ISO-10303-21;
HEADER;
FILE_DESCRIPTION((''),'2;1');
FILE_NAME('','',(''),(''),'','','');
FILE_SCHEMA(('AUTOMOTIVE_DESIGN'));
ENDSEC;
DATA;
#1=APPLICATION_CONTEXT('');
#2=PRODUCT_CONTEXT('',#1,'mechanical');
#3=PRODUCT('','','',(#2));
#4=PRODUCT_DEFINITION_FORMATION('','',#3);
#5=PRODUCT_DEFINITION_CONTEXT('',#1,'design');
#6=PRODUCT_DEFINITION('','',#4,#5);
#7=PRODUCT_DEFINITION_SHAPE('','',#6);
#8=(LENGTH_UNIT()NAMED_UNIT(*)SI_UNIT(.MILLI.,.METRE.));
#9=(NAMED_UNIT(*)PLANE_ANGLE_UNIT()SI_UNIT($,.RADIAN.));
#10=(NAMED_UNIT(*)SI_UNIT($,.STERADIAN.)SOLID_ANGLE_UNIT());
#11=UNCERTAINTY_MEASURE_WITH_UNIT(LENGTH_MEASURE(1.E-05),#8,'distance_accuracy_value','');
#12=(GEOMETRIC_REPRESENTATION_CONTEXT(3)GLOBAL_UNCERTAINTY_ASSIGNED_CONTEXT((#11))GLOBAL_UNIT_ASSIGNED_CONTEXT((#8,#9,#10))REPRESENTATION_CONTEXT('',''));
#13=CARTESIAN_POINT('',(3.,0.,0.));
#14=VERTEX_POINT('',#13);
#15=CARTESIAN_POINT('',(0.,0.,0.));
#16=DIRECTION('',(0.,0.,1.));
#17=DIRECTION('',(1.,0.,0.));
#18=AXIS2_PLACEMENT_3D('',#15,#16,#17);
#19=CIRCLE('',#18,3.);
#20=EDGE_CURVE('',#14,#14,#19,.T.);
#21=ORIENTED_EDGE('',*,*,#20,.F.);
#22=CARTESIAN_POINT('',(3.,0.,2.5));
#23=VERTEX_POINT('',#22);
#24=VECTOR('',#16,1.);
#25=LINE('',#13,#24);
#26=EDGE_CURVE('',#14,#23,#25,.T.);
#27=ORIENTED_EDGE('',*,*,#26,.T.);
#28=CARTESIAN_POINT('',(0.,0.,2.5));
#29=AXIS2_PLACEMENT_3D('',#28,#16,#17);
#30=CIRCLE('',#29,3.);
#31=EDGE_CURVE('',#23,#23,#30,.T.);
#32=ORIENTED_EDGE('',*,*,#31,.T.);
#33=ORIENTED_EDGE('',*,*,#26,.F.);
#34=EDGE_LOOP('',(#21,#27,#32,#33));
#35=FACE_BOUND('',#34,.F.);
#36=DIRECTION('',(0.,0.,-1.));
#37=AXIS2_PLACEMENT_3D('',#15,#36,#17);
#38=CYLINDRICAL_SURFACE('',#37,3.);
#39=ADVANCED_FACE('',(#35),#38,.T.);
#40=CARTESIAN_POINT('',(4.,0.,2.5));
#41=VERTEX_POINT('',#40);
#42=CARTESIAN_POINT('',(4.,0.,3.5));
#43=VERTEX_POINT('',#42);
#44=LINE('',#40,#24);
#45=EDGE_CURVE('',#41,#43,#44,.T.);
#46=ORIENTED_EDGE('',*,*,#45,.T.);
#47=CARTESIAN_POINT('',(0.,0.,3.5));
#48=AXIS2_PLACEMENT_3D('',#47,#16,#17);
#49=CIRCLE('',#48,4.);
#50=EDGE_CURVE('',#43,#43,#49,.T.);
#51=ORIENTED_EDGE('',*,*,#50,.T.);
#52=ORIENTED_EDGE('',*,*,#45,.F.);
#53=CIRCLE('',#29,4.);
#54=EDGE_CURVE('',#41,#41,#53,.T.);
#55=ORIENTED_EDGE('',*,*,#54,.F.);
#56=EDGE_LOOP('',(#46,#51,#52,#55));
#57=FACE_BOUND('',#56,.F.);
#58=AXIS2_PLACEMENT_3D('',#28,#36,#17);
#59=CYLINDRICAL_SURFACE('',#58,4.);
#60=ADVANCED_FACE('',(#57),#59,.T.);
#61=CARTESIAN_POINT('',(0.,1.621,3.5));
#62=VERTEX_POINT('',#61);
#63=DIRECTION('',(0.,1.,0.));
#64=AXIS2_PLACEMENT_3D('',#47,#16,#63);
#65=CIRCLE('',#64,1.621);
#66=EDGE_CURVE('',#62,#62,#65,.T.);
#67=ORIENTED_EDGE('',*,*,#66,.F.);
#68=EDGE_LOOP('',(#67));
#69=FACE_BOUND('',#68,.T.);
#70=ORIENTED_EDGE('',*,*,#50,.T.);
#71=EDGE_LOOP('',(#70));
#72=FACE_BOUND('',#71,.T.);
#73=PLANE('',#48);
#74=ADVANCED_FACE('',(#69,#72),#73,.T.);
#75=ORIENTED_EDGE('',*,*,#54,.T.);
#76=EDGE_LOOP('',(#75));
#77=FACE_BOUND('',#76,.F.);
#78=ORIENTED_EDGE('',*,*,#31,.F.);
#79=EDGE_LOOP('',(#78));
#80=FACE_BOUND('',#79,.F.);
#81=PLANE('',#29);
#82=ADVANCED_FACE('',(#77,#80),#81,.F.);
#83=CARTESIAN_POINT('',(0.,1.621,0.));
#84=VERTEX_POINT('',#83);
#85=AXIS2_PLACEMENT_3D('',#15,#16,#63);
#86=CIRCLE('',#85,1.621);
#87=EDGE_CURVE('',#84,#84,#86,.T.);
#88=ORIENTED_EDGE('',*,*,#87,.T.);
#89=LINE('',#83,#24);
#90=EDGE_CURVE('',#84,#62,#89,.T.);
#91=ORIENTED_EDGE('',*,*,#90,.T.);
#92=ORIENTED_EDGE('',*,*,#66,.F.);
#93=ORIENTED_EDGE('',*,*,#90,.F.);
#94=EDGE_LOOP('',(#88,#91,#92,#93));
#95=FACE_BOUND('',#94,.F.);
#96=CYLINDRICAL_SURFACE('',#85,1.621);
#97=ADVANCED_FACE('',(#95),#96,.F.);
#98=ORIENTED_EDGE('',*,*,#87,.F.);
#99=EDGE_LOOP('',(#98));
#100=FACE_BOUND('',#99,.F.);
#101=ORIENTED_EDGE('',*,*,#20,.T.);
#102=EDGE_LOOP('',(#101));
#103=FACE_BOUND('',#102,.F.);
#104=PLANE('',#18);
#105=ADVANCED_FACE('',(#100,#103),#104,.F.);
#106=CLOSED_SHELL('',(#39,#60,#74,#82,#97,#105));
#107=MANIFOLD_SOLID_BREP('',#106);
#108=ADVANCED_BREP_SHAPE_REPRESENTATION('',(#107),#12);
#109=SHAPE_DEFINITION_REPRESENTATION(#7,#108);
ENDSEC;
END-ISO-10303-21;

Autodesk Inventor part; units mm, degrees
ref_plane "YZ Plane" through (0, 0, 0) normal (1, 0, 0) x (0, 1, 0)
ref_plane "XZ Plane" through (0, 0, 0) normal (0, 1, 0) x (-1, 0, 0)
ref_plane "XY Plane" through (0, 0, 0) normal (0, 0, 1) x (1, 0, 0)
sketch "Skizze1" plane through (0, 0, 0) normal (0, 0, 1) x (1, 0, 0)
  circle A0 centre (0, 0) radius 3
  dimension "d0" = 6
extrude "Extrusion1" add sketch "Skizze1" along normal blind 2.5
sketch "Skizze2" plane through (0, 0, 2.5) normal (0, 0, 1) x (1, 0, 0)
  circle A0 centre (0, 0) radius 4
  dimension "d3" = 8
extrude "Extrusion2" add sketch "Skizze2" along normal blind 1
hole "Bohrung1" at (0, 0, 0) direction (0, 0, 1) diameter 3.242 end through all thread size "M4x0.7" class "6H" standard "ANSI Metric M Profile"
properties part number "MutterMitUScheibe"
